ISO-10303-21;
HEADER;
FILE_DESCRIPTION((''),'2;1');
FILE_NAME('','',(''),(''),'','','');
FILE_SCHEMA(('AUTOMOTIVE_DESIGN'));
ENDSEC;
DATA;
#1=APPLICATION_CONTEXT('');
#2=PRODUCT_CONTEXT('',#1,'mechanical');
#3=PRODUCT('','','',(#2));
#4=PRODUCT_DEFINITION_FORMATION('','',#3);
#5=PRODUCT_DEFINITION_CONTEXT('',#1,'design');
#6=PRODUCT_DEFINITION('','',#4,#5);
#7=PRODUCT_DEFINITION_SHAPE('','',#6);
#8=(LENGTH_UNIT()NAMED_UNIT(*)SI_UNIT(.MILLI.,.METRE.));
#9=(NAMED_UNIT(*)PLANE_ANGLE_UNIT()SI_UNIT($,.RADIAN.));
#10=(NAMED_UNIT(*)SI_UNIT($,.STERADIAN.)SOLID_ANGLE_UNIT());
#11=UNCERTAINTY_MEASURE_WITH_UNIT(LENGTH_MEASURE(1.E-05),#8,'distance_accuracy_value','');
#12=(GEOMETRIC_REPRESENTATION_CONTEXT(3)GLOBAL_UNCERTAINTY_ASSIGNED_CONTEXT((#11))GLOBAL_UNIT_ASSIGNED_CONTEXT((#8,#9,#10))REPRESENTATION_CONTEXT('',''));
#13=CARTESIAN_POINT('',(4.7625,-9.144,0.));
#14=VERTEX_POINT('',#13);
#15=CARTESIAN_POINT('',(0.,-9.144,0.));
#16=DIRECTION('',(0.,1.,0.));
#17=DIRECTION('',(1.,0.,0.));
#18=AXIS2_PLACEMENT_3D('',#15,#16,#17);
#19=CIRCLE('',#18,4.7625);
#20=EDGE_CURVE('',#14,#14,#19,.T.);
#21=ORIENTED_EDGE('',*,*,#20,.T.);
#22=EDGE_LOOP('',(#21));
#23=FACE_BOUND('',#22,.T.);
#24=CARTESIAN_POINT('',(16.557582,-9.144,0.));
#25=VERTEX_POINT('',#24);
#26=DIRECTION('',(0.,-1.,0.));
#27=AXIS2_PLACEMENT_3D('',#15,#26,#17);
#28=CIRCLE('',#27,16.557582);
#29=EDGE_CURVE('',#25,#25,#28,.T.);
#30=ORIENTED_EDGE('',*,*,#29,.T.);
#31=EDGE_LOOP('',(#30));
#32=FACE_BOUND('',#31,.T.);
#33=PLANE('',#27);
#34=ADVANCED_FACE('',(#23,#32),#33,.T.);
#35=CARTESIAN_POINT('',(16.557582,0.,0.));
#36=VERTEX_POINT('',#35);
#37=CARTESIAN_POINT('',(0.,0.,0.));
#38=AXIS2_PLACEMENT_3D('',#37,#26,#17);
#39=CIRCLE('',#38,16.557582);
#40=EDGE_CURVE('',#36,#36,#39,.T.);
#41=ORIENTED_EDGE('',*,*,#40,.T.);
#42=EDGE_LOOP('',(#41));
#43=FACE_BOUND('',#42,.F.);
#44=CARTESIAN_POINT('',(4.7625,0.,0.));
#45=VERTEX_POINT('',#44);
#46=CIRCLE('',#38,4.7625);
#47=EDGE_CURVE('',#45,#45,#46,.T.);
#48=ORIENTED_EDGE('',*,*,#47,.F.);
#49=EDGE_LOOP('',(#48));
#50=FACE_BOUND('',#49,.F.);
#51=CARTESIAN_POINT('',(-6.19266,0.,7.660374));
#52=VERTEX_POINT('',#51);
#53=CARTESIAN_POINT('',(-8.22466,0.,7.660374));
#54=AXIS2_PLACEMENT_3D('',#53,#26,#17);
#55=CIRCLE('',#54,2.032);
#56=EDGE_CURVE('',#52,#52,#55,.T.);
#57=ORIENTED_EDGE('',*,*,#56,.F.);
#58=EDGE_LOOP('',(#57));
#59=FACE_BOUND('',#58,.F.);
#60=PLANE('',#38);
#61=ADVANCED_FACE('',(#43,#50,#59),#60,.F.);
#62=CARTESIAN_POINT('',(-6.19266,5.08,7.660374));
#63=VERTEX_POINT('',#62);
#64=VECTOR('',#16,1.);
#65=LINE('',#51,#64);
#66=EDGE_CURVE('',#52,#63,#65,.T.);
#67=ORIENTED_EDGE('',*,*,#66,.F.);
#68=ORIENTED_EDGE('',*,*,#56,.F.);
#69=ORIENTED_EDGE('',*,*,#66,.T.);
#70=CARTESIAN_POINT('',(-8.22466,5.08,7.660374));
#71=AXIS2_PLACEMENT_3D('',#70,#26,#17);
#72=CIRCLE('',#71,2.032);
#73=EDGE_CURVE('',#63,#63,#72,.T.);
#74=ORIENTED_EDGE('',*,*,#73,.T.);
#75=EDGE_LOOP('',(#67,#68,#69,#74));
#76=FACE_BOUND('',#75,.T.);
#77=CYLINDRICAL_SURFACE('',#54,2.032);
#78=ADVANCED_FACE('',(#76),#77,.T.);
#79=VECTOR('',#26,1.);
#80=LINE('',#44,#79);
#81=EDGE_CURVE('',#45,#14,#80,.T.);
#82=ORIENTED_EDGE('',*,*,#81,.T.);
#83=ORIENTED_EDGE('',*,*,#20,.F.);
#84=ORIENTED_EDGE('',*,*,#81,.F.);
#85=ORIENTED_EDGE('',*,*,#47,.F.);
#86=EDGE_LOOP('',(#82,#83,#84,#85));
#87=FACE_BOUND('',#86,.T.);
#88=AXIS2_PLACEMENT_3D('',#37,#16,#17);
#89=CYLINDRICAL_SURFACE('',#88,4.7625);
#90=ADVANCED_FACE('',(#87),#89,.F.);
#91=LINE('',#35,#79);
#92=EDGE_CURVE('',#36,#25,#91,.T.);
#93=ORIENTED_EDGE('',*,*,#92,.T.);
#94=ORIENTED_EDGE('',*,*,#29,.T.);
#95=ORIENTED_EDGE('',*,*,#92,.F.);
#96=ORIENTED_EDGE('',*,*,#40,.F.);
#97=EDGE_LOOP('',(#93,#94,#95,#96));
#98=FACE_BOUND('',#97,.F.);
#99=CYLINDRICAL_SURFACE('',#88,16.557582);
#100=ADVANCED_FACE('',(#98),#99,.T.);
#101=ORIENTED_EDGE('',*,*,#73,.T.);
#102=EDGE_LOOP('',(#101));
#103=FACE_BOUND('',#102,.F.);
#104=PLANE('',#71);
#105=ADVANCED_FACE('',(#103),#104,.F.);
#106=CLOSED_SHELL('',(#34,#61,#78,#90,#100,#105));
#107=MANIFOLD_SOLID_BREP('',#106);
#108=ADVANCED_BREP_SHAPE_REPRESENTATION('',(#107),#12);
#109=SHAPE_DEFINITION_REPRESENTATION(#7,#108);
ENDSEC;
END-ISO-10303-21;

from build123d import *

# Parameters (mm, degrees)
F0_R     = 16.557582
F0_R_2   = 2.032
F0_R_3   = 4.7625
F1_DEPTH = 9.144
F2_DEPTH = 5.08
F3_DEPTH = 24.638


with BuildPart() as f1:
    # F0 (on Front) → F1 (new body)
    with BuildSketch(Plane.XZ):
        Circle(F0_R)
        with Locations((-8.22466, 7.660374)):
            Circle(F0_R_2, mode=Mode.SUBTRACT)
        Circle(F0_R_3, mode=Mode.SUBTRACT)
        Circle(F0_R_3)
        with Locations((-8.22466, 7.660374)):
            Circle(F0_R_2)
    extrude(amount=F1_DEPTH)

    # F0 (on Front) → F2 (join)
    with BuildSketch(Plane.XZ):
        with Locations((-8.22466, 7.660374)):
            Circle(F0_R_2)
    extrude(amount=-F2_DEPTH)

    # F0 (on Front) → F3 (cut)
    with BuildSketch(Plane.XZ):
        Circle(F0_R_3)
    extrude(amount=F3_DEPTH, mode=Mode.SUBTRACT)


solid = f1.part
